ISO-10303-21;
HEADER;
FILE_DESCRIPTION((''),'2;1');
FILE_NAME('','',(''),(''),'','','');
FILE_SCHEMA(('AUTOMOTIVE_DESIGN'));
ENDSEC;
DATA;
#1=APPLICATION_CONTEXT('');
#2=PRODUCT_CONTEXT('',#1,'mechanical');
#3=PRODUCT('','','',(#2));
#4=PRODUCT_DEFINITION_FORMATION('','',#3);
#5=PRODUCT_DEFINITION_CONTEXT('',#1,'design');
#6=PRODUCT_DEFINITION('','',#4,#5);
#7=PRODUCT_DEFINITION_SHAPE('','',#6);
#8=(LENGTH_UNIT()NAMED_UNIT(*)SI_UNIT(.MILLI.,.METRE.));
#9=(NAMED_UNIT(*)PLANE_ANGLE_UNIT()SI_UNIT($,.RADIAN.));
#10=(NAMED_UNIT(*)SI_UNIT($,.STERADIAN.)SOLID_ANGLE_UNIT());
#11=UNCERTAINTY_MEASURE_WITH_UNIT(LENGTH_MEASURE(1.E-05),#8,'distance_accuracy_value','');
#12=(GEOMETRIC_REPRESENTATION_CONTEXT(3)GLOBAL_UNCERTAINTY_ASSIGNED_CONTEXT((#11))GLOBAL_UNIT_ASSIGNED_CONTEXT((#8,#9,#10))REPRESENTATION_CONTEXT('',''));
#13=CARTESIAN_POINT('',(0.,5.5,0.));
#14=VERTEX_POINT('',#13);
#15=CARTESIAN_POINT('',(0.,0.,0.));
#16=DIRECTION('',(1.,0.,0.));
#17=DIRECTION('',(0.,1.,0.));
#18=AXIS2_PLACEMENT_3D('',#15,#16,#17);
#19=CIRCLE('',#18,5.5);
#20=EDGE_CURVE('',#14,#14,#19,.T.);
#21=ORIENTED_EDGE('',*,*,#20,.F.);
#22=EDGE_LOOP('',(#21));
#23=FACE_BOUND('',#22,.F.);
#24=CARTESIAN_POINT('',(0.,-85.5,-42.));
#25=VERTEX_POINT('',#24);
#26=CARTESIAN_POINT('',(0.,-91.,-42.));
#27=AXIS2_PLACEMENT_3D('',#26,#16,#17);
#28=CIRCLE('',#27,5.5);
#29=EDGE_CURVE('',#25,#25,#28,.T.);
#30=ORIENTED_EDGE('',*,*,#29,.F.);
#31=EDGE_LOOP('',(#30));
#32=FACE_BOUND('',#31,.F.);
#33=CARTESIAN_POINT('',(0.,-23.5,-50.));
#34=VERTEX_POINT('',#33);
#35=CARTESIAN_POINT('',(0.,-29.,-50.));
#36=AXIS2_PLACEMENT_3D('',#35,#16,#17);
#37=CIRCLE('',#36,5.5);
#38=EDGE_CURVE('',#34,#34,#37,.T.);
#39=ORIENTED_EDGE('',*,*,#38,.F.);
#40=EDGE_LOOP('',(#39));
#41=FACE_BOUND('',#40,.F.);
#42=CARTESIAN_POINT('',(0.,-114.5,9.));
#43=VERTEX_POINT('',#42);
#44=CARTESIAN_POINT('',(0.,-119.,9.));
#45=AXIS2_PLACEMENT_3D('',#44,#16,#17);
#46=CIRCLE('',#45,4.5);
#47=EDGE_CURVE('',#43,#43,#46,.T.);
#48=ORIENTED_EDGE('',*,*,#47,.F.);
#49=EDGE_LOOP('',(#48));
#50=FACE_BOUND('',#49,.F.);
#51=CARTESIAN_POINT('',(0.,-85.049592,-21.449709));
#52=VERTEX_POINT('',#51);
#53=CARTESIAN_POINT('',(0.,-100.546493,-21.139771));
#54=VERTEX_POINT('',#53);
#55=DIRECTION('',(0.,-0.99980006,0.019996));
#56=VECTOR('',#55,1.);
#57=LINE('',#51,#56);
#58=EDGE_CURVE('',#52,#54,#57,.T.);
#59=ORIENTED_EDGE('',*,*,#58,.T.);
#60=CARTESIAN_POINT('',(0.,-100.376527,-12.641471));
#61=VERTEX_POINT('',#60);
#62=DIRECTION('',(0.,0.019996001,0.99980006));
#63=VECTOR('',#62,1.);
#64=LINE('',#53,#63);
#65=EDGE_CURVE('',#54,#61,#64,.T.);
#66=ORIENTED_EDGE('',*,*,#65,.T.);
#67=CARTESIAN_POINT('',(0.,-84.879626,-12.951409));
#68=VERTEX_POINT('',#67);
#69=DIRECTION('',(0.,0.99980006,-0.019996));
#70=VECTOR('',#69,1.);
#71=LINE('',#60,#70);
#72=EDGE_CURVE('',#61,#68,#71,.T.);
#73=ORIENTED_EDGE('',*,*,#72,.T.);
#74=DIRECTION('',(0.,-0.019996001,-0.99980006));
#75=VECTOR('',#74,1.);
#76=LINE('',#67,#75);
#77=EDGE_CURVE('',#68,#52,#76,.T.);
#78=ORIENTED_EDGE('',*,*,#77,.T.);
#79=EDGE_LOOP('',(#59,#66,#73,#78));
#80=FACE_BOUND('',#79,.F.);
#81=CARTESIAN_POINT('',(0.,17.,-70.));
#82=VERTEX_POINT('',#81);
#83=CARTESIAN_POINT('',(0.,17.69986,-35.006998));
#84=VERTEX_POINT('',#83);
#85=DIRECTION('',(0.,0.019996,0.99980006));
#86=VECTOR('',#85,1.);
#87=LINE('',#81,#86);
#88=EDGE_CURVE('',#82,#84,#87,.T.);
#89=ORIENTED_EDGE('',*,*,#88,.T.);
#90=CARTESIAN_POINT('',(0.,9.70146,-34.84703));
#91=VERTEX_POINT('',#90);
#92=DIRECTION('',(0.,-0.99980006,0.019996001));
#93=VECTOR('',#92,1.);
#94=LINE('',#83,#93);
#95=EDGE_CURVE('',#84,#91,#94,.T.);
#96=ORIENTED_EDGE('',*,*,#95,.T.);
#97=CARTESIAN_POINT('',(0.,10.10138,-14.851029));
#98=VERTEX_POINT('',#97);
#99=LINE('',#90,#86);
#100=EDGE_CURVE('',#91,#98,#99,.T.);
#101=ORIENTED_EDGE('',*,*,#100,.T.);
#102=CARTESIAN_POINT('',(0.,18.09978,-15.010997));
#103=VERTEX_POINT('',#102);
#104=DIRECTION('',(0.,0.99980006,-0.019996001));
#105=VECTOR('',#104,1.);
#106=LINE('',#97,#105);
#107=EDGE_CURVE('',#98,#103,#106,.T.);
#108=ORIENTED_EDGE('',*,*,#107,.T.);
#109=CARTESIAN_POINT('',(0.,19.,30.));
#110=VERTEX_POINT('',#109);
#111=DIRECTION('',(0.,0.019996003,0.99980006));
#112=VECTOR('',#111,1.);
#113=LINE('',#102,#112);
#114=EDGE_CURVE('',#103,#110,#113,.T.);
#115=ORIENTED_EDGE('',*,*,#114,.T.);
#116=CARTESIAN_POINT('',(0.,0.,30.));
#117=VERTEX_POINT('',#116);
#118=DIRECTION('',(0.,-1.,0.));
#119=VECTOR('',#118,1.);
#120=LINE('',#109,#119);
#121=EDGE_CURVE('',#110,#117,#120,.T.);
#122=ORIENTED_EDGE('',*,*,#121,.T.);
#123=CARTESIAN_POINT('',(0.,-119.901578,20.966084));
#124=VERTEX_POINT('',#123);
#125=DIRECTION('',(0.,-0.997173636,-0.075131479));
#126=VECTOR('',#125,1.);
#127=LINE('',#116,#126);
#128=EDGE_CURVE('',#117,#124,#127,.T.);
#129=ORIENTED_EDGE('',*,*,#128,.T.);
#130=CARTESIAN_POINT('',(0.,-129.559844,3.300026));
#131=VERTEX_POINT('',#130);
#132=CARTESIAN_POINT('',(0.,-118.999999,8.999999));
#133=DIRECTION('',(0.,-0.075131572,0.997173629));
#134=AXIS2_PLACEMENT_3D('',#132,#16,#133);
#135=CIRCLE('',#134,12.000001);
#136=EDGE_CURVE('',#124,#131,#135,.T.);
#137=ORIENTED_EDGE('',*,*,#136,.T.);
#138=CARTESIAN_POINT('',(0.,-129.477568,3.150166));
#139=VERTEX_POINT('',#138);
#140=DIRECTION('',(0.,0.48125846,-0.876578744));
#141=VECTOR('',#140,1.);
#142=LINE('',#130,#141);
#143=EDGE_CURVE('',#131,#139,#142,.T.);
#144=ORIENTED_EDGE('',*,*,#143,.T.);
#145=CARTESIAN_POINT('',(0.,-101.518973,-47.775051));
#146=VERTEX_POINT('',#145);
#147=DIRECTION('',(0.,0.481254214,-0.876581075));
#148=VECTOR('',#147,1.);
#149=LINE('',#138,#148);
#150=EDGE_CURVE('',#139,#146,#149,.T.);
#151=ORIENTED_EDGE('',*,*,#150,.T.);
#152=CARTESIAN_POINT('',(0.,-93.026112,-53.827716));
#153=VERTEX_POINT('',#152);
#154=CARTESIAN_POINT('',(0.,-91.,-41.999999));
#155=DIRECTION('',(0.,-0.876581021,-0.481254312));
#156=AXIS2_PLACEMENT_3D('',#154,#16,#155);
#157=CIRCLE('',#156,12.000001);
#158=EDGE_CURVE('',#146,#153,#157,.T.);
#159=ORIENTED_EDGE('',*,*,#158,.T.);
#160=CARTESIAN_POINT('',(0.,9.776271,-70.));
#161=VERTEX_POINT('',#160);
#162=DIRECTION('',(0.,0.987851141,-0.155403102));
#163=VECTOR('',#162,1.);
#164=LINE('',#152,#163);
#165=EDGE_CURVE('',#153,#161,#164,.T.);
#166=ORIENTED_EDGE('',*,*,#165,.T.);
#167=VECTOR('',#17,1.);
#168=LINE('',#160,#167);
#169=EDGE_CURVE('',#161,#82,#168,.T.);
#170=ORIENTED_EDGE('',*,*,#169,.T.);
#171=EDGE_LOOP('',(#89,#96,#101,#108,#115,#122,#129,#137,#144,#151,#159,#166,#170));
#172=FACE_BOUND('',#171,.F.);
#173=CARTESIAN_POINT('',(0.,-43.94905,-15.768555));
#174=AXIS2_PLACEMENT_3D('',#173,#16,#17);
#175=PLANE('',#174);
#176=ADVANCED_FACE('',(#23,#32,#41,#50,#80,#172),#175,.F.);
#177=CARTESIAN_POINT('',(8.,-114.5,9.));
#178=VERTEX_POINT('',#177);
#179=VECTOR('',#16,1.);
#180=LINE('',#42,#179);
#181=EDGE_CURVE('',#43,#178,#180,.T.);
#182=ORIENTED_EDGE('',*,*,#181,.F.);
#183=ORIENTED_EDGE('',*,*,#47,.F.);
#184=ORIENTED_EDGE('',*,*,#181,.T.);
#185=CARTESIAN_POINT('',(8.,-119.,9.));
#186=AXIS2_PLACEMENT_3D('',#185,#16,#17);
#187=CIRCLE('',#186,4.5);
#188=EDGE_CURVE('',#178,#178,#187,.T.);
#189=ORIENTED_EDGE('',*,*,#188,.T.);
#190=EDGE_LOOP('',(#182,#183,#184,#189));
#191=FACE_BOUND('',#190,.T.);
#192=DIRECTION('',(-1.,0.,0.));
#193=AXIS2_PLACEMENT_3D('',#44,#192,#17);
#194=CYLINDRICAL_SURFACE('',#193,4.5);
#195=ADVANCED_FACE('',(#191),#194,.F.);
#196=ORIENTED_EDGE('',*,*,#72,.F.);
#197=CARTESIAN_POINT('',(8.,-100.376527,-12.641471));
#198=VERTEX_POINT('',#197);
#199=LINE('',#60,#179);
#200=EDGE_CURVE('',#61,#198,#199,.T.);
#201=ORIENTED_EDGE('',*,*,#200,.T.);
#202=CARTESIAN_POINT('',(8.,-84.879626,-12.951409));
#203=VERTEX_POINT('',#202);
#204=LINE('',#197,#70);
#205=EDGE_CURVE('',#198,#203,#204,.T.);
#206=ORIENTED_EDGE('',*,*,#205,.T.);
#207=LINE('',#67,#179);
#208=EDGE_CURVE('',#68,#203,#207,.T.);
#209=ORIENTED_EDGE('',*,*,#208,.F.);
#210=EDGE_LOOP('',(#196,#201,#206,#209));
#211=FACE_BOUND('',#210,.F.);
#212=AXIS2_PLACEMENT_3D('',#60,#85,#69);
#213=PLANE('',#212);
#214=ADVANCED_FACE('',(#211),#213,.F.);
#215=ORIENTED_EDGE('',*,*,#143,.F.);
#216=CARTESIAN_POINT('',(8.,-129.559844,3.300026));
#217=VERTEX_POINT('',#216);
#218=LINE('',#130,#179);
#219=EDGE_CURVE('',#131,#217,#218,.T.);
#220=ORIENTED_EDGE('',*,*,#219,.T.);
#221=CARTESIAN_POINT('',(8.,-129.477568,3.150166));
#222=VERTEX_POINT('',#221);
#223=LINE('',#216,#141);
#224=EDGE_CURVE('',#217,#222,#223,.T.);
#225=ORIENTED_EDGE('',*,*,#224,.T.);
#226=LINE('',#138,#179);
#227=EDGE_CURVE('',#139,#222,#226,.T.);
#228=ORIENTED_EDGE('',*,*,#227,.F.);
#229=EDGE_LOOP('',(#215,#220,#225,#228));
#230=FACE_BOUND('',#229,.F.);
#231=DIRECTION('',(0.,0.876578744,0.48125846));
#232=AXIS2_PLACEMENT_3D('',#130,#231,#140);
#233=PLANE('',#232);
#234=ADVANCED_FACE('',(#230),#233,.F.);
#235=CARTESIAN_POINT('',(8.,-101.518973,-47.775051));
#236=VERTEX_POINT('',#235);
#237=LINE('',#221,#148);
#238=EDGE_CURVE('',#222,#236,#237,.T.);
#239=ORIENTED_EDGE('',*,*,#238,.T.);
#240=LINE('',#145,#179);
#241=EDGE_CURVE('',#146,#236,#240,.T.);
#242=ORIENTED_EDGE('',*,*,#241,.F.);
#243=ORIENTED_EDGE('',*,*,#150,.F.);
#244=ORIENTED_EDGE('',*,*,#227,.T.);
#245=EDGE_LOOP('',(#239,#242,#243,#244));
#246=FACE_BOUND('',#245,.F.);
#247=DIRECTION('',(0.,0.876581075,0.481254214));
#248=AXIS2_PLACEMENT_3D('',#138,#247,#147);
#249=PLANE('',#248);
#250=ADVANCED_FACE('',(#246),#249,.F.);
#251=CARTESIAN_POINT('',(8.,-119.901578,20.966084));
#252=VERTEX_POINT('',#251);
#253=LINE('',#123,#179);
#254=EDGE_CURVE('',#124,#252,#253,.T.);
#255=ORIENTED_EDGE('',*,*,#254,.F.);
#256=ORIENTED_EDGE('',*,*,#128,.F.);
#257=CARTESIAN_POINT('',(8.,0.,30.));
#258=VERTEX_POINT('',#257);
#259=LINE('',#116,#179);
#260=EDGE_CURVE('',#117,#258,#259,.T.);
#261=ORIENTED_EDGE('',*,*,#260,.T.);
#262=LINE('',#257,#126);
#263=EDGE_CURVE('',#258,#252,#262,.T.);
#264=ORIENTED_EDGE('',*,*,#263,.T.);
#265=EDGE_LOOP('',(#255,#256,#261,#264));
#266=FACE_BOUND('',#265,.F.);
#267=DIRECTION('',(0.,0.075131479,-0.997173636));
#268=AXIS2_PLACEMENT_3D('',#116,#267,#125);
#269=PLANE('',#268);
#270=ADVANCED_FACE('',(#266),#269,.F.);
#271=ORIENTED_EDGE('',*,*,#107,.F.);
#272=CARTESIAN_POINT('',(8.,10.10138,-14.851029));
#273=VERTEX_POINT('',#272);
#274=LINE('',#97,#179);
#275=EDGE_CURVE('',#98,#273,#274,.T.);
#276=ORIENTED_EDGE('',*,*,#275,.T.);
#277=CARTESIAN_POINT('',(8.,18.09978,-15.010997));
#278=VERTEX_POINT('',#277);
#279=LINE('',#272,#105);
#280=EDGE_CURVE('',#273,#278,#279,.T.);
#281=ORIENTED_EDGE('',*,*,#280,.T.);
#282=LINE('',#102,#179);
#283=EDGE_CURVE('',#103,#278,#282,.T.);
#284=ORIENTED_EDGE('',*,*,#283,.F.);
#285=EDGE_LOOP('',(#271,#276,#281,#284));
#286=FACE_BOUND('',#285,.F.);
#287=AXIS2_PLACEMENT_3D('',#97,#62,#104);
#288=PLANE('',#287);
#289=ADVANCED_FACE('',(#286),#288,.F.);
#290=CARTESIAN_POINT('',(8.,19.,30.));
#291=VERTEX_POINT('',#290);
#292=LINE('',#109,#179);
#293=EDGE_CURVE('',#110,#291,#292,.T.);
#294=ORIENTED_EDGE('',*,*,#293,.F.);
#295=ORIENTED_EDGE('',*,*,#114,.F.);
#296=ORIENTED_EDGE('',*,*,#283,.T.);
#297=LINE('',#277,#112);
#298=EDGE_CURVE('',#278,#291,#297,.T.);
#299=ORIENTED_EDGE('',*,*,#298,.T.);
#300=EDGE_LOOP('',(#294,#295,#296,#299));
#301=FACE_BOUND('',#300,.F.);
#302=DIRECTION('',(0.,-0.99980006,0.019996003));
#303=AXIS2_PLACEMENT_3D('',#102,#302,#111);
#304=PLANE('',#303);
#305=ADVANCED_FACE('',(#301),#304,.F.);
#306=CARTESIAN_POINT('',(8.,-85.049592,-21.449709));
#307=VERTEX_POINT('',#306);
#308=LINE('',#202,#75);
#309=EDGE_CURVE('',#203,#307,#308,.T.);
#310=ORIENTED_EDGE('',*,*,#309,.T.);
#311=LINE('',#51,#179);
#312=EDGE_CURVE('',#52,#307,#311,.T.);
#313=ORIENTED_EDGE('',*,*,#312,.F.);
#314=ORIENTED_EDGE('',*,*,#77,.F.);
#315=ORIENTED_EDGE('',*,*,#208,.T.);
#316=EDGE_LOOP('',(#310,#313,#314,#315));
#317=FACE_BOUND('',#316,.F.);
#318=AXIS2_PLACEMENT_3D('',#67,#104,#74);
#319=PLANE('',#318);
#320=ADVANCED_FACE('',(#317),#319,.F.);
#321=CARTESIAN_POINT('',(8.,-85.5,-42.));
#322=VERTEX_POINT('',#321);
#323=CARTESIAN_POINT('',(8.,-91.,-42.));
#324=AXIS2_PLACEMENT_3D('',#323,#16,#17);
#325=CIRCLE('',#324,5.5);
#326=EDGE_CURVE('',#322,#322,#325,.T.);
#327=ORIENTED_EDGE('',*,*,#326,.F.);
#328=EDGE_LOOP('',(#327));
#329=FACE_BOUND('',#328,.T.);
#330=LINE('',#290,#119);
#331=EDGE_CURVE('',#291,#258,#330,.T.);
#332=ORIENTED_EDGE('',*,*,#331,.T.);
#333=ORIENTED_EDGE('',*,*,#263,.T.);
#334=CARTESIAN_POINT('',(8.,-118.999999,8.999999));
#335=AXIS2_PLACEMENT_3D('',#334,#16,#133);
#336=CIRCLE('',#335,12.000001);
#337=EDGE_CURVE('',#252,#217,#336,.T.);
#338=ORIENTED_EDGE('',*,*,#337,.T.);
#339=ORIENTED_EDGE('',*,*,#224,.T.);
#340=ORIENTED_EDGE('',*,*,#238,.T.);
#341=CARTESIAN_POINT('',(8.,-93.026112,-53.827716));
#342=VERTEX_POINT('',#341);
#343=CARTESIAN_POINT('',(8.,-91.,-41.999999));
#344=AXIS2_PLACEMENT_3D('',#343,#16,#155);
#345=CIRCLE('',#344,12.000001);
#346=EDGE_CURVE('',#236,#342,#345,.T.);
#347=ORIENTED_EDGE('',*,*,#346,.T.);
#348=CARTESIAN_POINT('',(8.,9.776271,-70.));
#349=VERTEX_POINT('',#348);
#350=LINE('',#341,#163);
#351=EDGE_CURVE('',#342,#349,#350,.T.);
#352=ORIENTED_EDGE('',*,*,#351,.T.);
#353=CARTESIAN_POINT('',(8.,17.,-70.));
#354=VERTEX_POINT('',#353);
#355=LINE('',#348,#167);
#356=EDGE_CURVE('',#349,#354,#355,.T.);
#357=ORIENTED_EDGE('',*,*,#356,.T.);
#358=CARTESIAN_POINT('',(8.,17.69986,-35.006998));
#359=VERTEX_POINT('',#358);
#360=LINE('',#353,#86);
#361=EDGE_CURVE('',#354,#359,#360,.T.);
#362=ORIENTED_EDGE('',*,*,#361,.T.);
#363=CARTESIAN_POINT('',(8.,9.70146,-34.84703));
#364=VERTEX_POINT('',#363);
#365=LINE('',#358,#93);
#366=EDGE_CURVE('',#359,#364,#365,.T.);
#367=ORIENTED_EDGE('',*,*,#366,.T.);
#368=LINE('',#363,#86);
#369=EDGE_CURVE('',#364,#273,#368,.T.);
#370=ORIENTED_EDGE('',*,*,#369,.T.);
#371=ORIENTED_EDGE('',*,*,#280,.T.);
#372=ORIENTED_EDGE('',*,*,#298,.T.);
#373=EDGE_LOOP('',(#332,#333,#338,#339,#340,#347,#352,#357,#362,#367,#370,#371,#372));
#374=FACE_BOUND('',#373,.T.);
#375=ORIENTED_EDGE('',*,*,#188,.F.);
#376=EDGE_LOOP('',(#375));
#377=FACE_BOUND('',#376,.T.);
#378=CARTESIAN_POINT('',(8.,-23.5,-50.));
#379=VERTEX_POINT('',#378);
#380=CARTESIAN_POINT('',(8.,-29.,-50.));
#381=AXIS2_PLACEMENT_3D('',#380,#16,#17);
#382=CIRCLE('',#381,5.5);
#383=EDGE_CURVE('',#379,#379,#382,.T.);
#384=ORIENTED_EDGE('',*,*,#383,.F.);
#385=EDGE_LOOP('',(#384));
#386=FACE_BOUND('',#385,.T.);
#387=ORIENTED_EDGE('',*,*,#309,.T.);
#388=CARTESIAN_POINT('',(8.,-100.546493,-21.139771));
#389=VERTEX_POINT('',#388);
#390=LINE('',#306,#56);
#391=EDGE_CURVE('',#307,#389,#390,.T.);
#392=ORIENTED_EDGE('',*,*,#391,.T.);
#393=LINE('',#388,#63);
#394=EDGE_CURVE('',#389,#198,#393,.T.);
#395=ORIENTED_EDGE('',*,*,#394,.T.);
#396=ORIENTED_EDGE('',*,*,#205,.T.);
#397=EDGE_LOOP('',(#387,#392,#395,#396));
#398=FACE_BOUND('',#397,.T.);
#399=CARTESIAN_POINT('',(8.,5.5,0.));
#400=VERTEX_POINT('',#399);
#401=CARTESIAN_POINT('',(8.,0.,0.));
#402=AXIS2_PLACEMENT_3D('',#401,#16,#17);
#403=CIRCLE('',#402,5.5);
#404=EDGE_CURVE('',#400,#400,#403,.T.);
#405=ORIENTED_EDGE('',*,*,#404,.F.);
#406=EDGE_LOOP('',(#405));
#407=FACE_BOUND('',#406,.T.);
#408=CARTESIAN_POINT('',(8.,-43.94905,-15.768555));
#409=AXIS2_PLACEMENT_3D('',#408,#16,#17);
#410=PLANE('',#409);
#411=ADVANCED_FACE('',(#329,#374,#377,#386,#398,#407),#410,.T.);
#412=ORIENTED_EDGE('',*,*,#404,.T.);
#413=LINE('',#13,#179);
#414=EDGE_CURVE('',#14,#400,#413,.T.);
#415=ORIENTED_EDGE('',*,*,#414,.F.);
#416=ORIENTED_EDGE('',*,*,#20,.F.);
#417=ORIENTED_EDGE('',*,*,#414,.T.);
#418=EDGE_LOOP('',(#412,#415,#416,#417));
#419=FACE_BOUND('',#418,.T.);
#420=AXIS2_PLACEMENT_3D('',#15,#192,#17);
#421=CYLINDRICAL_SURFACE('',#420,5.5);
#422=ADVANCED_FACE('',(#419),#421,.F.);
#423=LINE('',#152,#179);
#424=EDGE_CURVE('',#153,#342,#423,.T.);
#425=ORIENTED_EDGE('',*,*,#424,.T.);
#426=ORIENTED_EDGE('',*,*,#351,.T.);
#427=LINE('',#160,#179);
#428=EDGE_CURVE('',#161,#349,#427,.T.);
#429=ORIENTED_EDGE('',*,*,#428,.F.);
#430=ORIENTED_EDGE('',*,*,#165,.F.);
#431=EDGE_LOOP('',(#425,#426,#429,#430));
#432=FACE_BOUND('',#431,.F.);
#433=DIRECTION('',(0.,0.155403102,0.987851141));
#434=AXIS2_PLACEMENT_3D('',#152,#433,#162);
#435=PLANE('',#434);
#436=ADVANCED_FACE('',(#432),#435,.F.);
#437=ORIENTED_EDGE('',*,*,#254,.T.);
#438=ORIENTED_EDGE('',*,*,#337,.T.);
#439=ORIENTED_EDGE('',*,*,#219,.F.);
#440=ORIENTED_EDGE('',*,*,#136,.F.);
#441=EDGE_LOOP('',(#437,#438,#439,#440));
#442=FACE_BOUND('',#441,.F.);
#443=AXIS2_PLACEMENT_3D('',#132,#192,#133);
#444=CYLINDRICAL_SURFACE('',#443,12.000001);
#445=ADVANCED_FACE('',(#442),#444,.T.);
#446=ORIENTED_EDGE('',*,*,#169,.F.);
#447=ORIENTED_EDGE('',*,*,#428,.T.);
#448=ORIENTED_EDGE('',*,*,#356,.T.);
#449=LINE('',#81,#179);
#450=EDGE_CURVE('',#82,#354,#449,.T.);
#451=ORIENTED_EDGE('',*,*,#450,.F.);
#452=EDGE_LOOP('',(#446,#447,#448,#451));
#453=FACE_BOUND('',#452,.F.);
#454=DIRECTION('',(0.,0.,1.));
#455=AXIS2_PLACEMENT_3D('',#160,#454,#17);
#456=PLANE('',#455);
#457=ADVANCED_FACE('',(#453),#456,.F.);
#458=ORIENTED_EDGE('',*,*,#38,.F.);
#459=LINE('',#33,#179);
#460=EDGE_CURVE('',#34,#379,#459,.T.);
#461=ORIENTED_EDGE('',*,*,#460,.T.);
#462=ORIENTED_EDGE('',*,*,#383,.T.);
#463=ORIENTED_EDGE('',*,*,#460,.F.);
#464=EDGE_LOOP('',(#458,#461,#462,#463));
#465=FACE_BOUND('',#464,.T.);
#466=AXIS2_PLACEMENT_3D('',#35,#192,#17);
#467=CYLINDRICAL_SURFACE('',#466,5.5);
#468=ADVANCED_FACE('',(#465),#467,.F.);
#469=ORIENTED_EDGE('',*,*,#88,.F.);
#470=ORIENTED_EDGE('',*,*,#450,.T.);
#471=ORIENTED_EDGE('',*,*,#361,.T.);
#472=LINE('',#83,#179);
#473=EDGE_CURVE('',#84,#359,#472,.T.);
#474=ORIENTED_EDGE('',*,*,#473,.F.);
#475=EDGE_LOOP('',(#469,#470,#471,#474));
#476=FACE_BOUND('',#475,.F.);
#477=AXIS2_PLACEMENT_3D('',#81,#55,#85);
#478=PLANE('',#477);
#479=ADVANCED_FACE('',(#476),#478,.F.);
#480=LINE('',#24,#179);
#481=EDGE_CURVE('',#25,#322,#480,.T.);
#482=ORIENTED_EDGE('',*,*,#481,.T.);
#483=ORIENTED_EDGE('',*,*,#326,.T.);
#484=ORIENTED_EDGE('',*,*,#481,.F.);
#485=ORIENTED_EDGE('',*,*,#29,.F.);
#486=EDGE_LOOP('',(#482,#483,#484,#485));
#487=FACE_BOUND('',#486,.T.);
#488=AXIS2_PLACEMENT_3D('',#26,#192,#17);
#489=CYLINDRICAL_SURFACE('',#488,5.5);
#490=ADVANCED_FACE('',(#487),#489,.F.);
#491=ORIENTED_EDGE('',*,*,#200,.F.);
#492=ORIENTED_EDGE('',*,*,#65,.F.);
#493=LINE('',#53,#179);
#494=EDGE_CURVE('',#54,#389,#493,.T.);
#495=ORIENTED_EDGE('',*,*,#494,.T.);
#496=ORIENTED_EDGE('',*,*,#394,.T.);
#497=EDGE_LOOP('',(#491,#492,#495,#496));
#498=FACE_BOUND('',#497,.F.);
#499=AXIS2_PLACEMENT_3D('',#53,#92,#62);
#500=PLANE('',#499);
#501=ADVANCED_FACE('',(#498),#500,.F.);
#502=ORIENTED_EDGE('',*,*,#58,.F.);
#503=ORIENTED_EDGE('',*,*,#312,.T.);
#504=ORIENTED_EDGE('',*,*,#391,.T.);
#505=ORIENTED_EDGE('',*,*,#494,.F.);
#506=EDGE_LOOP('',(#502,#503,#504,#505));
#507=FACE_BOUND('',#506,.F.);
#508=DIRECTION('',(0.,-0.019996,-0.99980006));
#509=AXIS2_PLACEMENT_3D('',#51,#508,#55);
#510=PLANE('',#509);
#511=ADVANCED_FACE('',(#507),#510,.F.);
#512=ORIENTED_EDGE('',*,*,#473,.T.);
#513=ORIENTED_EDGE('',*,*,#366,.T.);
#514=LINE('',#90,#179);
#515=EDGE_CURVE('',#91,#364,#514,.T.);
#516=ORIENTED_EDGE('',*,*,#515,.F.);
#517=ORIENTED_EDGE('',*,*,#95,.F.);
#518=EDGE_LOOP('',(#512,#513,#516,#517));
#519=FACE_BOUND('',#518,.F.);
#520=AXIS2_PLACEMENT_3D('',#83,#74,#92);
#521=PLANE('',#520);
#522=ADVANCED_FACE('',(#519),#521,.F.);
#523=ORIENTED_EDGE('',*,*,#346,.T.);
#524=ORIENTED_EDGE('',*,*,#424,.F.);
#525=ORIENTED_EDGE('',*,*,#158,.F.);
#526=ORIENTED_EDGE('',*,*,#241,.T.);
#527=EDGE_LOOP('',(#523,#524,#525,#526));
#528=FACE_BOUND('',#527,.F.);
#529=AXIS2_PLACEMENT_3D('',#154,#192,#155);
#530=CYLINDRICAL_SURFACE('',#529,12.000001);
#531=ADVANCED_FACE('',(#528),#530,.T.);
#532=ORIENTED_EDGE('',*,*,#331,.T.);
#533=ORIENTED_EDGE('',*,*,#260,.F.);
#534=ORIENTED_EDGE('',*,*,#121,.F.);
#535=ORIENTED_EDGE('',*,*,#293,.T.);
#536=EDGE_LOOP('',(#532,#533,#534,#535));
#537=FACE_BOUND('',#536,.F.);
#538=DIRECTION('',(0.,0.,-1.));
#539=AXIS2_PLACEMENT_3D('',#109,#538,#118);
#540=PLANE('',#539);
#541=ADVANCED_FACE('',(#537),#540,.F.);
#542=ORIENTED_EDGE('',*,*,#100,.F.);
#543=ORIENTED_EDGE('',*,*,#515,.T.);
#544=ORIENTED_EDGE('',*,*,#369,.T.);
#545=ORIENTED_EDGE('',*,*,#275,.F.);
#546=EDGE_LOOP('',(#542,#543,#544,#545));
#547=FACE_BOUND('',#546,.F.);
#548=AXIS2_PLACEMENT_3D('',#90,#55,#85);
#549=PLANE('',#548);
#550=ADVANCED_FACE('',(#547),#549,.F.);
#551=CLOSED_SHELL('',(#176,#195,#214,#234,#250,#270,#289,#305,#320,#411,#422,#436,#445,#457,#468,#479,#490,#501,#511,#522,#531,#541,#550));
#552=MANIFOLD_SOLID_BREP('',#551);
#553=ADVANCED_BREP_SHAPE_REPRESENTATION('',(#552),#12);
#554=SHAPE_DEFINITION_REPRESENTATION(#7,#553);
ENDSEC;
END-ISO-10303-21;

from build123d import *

# Parameters (mm, degrees)
F0_R     = 5.5
F0_R_2   = 4.5
F1_DEPTH = 8


with BuildPart() as f1:
    # F0 (on Right) → F1 (new body)
    with BuildSketch(Plane.YZ):
        with BuildLine():
            Line((18.09978, -15.010997), (19, 30))
            Line((19, 30), (0, 30))
            Line((0, 30), (-119.901578, 20.966084))
            ThreePointArc((-119.901578, 20.966084), (-129.529171, 14.756436), (-129.559844, 3.300026))
            Line((-129.559844, 3.300026), (-129.477568, 3.150166))
            Line((-129.477568, 3.150166), (-101.518973, -47.775051))
            ThreePointArc((-101.518973, -47.775051), (-97.964444, -51.772232), (-93.026112, -53.827716))
            Line((-93.026112, -53.827716), (9.776271, -70))
            Line((9.776271, -70), (17, -70))
            Line((17, -70), (17.69986, -35.006998))
            Line((17.69986, -35.006998), (9.70146, -34.84703))
            Line((9.70146, -34.84703), (10.10138, -14.851029))
            Line((10.10138, -14.851029), (18.09978, -15.010997))
        make_face()
        with Locations((-91, -42)):
            Circle(F0_R, mode=Mode.SUBTRACT)
        with Locations((-29, -50)):
            Circle(F0_R, mode=Mode.SUBTRACT)
        Polygon((-100.376527, -12.641471), (-84.879626, -12.951409), (-85.049592, -21.449709), (-100.546493, -21.139771), align=None, mode=Mode.SUBTRACT)
        with Locations((-119, 9)):
            Circle(F0_R_2, mode=Mode.SUBTRACT)
        Circle(F0_R, mode=Mode.SUBTRACT)
    extrude(amount=F1_DEPTH)


solid = f1.part
